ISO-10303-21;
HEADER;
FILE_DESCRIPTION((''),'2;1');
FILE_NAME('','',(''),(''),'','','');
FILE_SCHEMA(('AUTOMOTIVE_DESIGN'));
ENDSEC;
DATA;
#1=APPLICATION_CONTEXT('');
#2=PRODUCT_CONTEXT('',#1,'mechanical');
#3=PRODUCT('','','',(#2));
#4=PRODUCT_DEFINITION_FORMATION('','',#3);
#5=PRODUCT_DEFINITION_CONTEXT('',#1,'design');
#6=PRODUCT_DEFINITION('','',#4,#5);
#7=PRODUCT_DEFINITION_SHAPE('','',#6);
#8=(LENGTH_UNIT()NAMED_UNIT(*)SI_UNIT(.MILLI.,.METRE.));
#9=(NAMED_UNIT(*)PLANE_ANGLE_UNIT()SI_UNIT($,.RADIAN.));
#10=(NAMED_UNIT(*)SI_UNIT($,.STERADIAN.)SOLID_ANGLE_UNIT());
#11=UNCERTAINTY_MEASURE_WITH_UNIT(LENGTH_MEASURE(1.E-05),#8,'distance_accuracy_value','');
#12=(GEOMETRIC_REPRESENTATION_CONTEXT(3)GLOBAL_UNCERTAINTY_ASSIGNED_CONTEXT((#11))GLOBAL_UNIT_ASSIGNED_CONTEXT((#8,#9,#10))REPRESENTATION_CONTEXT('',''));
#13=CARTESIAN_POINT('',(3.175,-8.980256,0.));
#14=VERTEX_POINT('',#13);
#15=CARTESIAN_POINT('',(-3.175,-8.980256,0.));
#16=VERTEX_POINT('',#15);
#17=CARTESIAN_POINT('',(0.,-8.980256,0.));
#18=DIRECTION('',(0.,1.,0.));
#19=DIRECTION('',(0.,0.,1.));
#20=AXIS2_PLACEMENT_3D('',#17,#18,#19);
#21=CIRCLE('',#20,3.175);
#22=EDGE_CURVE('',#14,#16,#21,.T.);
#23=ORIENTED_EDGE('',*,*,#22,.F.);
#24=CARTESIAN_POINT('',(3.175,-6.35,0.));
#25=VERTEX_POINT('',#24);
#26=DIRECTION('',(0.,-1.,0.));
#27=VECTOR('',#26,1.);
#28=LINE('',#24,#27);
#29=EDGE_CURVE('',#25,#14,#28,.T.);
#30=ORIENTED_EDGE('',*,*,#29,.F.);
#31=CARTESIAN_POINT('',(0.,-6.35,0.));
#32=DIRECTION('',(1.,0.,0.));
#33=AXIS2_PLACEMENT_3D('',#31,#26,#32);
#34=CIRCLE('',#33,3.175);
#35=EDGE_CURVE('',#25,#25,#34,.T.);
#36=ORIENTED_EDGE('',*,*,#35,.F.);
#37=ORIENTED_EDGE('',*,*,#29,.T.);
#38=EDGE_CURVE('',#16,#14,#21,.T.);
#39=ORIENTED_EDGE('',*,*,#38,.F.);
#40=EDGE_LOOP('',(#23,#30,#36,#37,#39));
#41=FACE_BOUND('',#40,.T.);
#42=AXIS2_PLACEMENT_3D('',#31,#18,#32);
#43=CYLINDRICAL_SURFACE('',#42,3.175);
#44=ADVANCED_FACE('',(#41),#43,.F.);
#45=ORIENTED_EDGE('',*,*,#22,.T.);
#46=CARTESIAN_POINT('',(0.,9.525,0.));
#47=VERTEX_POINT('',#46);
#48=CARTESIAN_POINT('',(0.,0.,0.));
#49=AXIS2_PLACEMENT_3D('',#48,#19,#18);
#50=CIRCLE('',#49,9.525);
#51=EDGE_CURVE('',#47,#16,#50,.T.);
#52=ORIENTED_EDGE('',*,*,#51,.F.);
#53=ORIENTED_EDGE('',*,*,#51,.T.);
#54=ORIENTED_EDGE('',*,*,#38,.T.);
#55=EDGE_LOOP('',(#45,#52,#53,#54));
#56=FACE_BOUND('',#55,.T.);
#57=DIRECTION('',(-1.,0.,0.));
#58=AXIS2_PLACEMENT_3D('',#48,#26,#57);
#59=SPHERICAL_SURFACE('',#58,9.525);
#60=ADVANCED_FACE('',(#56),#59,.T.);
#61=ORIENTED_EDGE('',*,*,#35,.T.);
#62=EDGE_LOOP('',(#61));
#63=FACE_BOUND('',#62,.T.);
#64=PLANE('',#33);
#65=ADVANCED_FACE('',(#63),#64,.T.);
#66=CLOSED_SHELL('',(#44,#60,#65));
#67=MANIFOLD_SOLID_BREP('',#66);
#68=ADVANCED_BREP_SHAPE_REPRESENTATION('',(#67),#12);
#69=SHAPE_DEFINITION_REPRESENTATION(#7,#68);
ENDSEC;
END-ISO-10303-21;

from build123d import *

# Parameters (mm, degrees)
F3_R     = 3.175
F4_DEPTH = 25.4


with BuildPart() as f1:
    # F0 (on Top) → F1 (revolve)
    with BuildSketch(Plane.XY):
        with BuildLine():
            Line((0, -9.525), (0, 9.525))
            ThreePointArc((0, 9.525), (-9.525, 0), (0, -9.525))
        make_face()
    revolve(axis=Axis((0, 0, 0), (0, -1, 0)))


with BuildPart() as f4:
    # F3 (on offset) → F4 (new body)
    with BuildSketch(Plane.XZ.offset(6.35)):
        Circle(F3_R)
    extrude(amount=F4_DEPTH)


with BuildPart() as f1_1:
    add(f1.part)

    # F5: cut F4
    add(f4.part, mode=Mode.SUBTRACT)


solid = f1_1.part
